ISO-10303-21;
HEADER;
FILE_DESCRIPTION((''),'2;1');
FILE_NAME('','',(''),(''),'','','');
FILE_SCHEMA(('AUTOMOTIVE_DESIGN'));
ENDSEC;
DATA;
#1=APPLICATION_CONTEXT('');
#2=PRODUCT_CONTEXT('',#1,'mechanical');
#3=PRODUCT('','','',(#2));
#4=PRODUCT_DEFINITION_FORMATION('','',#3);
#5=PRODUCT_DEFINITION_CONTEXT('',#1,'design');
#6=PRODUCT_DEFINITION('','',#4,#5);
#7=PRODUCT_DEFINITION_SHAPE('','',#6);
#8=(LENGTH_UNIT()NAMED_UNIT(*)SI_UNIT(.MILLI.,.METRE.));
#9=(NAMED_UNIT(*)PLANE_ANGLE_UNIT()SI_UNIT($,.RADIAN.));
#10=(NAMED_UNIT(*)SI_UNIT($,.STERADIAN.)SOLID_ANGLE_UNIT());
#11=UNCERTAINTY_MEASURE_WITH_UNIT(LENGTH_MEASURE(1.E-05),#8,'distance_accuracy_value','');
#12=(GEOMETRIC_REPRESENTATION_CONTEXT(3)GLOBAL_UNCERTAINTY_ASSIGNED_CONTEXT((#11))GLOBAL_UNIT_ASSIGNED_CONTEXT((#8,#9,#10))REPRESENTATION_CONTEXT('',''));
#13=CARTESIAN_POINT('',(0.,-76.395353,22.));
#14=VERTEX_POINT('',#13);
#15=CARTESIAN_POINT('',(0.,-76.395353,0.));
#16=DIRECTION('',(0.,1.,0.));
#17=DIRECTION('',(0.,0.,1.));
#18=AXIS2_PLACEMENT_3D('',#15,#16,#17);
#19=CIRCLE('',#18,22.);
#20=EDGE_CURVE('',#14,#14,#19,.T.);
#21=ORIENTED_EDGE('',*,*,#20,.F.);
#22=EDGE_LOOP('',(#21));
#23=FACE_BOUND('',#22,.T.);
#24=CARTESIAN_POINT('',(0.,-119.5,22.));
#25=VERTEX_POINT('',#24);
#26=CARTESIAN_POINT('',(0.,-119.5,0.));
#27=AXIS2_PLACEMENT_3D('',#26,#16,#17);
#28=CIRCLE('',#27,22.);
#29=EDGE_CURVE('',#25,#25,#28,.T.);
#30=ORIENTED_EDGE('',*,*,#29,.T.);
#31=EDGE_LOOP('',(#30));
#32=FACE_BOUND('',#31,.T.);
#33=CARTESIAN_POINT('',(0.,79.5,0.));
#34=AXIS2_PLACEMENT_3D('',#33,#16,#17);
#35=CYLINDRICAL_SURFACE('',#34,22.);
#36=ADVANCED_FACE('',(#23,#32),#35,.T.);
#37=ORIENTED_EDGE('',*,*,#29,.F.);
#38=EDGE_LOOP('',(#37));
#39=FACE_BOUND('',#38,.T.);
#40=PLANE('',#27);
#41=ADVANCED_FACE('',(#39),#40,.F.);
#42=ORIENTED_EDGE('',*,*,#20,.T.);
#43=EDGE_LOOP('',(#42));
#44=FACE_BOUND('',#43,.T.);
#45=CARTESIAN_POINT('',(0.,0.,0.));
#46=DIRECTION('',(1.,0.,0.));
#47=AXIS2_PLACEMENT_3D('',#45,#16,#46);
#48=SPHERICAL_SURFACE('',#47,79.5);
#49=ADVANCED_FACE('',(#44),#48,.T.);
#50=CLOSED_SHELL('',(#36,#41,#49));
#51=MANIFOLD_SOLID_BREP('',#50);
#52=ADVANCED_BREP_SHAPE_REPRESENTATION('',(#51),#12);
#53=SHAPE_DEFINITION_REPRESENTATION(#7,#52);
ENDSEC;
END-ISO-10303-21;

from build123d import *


with BuildPart() as part:
    # Sketch1 → Revolve1 (revolve)
    with BuildSketch(Plane.XY):
        with BuildLine():
            Line((0, 79.5), (0, -79.5))
            Line((0, -79.5), (0, -119.5))
            Line((0, -119.5), (22, -119.5))
            Line((22, -119.5), (22, -76.395353262))
            ThreePointArc((22, -76.395353262), (78.720012018, 11.108992206), (0, 79.5))
        make_face()
    revolve(axis=Axis((0, 79.5, 0), (0, -1, 0)))


solid = part.part
